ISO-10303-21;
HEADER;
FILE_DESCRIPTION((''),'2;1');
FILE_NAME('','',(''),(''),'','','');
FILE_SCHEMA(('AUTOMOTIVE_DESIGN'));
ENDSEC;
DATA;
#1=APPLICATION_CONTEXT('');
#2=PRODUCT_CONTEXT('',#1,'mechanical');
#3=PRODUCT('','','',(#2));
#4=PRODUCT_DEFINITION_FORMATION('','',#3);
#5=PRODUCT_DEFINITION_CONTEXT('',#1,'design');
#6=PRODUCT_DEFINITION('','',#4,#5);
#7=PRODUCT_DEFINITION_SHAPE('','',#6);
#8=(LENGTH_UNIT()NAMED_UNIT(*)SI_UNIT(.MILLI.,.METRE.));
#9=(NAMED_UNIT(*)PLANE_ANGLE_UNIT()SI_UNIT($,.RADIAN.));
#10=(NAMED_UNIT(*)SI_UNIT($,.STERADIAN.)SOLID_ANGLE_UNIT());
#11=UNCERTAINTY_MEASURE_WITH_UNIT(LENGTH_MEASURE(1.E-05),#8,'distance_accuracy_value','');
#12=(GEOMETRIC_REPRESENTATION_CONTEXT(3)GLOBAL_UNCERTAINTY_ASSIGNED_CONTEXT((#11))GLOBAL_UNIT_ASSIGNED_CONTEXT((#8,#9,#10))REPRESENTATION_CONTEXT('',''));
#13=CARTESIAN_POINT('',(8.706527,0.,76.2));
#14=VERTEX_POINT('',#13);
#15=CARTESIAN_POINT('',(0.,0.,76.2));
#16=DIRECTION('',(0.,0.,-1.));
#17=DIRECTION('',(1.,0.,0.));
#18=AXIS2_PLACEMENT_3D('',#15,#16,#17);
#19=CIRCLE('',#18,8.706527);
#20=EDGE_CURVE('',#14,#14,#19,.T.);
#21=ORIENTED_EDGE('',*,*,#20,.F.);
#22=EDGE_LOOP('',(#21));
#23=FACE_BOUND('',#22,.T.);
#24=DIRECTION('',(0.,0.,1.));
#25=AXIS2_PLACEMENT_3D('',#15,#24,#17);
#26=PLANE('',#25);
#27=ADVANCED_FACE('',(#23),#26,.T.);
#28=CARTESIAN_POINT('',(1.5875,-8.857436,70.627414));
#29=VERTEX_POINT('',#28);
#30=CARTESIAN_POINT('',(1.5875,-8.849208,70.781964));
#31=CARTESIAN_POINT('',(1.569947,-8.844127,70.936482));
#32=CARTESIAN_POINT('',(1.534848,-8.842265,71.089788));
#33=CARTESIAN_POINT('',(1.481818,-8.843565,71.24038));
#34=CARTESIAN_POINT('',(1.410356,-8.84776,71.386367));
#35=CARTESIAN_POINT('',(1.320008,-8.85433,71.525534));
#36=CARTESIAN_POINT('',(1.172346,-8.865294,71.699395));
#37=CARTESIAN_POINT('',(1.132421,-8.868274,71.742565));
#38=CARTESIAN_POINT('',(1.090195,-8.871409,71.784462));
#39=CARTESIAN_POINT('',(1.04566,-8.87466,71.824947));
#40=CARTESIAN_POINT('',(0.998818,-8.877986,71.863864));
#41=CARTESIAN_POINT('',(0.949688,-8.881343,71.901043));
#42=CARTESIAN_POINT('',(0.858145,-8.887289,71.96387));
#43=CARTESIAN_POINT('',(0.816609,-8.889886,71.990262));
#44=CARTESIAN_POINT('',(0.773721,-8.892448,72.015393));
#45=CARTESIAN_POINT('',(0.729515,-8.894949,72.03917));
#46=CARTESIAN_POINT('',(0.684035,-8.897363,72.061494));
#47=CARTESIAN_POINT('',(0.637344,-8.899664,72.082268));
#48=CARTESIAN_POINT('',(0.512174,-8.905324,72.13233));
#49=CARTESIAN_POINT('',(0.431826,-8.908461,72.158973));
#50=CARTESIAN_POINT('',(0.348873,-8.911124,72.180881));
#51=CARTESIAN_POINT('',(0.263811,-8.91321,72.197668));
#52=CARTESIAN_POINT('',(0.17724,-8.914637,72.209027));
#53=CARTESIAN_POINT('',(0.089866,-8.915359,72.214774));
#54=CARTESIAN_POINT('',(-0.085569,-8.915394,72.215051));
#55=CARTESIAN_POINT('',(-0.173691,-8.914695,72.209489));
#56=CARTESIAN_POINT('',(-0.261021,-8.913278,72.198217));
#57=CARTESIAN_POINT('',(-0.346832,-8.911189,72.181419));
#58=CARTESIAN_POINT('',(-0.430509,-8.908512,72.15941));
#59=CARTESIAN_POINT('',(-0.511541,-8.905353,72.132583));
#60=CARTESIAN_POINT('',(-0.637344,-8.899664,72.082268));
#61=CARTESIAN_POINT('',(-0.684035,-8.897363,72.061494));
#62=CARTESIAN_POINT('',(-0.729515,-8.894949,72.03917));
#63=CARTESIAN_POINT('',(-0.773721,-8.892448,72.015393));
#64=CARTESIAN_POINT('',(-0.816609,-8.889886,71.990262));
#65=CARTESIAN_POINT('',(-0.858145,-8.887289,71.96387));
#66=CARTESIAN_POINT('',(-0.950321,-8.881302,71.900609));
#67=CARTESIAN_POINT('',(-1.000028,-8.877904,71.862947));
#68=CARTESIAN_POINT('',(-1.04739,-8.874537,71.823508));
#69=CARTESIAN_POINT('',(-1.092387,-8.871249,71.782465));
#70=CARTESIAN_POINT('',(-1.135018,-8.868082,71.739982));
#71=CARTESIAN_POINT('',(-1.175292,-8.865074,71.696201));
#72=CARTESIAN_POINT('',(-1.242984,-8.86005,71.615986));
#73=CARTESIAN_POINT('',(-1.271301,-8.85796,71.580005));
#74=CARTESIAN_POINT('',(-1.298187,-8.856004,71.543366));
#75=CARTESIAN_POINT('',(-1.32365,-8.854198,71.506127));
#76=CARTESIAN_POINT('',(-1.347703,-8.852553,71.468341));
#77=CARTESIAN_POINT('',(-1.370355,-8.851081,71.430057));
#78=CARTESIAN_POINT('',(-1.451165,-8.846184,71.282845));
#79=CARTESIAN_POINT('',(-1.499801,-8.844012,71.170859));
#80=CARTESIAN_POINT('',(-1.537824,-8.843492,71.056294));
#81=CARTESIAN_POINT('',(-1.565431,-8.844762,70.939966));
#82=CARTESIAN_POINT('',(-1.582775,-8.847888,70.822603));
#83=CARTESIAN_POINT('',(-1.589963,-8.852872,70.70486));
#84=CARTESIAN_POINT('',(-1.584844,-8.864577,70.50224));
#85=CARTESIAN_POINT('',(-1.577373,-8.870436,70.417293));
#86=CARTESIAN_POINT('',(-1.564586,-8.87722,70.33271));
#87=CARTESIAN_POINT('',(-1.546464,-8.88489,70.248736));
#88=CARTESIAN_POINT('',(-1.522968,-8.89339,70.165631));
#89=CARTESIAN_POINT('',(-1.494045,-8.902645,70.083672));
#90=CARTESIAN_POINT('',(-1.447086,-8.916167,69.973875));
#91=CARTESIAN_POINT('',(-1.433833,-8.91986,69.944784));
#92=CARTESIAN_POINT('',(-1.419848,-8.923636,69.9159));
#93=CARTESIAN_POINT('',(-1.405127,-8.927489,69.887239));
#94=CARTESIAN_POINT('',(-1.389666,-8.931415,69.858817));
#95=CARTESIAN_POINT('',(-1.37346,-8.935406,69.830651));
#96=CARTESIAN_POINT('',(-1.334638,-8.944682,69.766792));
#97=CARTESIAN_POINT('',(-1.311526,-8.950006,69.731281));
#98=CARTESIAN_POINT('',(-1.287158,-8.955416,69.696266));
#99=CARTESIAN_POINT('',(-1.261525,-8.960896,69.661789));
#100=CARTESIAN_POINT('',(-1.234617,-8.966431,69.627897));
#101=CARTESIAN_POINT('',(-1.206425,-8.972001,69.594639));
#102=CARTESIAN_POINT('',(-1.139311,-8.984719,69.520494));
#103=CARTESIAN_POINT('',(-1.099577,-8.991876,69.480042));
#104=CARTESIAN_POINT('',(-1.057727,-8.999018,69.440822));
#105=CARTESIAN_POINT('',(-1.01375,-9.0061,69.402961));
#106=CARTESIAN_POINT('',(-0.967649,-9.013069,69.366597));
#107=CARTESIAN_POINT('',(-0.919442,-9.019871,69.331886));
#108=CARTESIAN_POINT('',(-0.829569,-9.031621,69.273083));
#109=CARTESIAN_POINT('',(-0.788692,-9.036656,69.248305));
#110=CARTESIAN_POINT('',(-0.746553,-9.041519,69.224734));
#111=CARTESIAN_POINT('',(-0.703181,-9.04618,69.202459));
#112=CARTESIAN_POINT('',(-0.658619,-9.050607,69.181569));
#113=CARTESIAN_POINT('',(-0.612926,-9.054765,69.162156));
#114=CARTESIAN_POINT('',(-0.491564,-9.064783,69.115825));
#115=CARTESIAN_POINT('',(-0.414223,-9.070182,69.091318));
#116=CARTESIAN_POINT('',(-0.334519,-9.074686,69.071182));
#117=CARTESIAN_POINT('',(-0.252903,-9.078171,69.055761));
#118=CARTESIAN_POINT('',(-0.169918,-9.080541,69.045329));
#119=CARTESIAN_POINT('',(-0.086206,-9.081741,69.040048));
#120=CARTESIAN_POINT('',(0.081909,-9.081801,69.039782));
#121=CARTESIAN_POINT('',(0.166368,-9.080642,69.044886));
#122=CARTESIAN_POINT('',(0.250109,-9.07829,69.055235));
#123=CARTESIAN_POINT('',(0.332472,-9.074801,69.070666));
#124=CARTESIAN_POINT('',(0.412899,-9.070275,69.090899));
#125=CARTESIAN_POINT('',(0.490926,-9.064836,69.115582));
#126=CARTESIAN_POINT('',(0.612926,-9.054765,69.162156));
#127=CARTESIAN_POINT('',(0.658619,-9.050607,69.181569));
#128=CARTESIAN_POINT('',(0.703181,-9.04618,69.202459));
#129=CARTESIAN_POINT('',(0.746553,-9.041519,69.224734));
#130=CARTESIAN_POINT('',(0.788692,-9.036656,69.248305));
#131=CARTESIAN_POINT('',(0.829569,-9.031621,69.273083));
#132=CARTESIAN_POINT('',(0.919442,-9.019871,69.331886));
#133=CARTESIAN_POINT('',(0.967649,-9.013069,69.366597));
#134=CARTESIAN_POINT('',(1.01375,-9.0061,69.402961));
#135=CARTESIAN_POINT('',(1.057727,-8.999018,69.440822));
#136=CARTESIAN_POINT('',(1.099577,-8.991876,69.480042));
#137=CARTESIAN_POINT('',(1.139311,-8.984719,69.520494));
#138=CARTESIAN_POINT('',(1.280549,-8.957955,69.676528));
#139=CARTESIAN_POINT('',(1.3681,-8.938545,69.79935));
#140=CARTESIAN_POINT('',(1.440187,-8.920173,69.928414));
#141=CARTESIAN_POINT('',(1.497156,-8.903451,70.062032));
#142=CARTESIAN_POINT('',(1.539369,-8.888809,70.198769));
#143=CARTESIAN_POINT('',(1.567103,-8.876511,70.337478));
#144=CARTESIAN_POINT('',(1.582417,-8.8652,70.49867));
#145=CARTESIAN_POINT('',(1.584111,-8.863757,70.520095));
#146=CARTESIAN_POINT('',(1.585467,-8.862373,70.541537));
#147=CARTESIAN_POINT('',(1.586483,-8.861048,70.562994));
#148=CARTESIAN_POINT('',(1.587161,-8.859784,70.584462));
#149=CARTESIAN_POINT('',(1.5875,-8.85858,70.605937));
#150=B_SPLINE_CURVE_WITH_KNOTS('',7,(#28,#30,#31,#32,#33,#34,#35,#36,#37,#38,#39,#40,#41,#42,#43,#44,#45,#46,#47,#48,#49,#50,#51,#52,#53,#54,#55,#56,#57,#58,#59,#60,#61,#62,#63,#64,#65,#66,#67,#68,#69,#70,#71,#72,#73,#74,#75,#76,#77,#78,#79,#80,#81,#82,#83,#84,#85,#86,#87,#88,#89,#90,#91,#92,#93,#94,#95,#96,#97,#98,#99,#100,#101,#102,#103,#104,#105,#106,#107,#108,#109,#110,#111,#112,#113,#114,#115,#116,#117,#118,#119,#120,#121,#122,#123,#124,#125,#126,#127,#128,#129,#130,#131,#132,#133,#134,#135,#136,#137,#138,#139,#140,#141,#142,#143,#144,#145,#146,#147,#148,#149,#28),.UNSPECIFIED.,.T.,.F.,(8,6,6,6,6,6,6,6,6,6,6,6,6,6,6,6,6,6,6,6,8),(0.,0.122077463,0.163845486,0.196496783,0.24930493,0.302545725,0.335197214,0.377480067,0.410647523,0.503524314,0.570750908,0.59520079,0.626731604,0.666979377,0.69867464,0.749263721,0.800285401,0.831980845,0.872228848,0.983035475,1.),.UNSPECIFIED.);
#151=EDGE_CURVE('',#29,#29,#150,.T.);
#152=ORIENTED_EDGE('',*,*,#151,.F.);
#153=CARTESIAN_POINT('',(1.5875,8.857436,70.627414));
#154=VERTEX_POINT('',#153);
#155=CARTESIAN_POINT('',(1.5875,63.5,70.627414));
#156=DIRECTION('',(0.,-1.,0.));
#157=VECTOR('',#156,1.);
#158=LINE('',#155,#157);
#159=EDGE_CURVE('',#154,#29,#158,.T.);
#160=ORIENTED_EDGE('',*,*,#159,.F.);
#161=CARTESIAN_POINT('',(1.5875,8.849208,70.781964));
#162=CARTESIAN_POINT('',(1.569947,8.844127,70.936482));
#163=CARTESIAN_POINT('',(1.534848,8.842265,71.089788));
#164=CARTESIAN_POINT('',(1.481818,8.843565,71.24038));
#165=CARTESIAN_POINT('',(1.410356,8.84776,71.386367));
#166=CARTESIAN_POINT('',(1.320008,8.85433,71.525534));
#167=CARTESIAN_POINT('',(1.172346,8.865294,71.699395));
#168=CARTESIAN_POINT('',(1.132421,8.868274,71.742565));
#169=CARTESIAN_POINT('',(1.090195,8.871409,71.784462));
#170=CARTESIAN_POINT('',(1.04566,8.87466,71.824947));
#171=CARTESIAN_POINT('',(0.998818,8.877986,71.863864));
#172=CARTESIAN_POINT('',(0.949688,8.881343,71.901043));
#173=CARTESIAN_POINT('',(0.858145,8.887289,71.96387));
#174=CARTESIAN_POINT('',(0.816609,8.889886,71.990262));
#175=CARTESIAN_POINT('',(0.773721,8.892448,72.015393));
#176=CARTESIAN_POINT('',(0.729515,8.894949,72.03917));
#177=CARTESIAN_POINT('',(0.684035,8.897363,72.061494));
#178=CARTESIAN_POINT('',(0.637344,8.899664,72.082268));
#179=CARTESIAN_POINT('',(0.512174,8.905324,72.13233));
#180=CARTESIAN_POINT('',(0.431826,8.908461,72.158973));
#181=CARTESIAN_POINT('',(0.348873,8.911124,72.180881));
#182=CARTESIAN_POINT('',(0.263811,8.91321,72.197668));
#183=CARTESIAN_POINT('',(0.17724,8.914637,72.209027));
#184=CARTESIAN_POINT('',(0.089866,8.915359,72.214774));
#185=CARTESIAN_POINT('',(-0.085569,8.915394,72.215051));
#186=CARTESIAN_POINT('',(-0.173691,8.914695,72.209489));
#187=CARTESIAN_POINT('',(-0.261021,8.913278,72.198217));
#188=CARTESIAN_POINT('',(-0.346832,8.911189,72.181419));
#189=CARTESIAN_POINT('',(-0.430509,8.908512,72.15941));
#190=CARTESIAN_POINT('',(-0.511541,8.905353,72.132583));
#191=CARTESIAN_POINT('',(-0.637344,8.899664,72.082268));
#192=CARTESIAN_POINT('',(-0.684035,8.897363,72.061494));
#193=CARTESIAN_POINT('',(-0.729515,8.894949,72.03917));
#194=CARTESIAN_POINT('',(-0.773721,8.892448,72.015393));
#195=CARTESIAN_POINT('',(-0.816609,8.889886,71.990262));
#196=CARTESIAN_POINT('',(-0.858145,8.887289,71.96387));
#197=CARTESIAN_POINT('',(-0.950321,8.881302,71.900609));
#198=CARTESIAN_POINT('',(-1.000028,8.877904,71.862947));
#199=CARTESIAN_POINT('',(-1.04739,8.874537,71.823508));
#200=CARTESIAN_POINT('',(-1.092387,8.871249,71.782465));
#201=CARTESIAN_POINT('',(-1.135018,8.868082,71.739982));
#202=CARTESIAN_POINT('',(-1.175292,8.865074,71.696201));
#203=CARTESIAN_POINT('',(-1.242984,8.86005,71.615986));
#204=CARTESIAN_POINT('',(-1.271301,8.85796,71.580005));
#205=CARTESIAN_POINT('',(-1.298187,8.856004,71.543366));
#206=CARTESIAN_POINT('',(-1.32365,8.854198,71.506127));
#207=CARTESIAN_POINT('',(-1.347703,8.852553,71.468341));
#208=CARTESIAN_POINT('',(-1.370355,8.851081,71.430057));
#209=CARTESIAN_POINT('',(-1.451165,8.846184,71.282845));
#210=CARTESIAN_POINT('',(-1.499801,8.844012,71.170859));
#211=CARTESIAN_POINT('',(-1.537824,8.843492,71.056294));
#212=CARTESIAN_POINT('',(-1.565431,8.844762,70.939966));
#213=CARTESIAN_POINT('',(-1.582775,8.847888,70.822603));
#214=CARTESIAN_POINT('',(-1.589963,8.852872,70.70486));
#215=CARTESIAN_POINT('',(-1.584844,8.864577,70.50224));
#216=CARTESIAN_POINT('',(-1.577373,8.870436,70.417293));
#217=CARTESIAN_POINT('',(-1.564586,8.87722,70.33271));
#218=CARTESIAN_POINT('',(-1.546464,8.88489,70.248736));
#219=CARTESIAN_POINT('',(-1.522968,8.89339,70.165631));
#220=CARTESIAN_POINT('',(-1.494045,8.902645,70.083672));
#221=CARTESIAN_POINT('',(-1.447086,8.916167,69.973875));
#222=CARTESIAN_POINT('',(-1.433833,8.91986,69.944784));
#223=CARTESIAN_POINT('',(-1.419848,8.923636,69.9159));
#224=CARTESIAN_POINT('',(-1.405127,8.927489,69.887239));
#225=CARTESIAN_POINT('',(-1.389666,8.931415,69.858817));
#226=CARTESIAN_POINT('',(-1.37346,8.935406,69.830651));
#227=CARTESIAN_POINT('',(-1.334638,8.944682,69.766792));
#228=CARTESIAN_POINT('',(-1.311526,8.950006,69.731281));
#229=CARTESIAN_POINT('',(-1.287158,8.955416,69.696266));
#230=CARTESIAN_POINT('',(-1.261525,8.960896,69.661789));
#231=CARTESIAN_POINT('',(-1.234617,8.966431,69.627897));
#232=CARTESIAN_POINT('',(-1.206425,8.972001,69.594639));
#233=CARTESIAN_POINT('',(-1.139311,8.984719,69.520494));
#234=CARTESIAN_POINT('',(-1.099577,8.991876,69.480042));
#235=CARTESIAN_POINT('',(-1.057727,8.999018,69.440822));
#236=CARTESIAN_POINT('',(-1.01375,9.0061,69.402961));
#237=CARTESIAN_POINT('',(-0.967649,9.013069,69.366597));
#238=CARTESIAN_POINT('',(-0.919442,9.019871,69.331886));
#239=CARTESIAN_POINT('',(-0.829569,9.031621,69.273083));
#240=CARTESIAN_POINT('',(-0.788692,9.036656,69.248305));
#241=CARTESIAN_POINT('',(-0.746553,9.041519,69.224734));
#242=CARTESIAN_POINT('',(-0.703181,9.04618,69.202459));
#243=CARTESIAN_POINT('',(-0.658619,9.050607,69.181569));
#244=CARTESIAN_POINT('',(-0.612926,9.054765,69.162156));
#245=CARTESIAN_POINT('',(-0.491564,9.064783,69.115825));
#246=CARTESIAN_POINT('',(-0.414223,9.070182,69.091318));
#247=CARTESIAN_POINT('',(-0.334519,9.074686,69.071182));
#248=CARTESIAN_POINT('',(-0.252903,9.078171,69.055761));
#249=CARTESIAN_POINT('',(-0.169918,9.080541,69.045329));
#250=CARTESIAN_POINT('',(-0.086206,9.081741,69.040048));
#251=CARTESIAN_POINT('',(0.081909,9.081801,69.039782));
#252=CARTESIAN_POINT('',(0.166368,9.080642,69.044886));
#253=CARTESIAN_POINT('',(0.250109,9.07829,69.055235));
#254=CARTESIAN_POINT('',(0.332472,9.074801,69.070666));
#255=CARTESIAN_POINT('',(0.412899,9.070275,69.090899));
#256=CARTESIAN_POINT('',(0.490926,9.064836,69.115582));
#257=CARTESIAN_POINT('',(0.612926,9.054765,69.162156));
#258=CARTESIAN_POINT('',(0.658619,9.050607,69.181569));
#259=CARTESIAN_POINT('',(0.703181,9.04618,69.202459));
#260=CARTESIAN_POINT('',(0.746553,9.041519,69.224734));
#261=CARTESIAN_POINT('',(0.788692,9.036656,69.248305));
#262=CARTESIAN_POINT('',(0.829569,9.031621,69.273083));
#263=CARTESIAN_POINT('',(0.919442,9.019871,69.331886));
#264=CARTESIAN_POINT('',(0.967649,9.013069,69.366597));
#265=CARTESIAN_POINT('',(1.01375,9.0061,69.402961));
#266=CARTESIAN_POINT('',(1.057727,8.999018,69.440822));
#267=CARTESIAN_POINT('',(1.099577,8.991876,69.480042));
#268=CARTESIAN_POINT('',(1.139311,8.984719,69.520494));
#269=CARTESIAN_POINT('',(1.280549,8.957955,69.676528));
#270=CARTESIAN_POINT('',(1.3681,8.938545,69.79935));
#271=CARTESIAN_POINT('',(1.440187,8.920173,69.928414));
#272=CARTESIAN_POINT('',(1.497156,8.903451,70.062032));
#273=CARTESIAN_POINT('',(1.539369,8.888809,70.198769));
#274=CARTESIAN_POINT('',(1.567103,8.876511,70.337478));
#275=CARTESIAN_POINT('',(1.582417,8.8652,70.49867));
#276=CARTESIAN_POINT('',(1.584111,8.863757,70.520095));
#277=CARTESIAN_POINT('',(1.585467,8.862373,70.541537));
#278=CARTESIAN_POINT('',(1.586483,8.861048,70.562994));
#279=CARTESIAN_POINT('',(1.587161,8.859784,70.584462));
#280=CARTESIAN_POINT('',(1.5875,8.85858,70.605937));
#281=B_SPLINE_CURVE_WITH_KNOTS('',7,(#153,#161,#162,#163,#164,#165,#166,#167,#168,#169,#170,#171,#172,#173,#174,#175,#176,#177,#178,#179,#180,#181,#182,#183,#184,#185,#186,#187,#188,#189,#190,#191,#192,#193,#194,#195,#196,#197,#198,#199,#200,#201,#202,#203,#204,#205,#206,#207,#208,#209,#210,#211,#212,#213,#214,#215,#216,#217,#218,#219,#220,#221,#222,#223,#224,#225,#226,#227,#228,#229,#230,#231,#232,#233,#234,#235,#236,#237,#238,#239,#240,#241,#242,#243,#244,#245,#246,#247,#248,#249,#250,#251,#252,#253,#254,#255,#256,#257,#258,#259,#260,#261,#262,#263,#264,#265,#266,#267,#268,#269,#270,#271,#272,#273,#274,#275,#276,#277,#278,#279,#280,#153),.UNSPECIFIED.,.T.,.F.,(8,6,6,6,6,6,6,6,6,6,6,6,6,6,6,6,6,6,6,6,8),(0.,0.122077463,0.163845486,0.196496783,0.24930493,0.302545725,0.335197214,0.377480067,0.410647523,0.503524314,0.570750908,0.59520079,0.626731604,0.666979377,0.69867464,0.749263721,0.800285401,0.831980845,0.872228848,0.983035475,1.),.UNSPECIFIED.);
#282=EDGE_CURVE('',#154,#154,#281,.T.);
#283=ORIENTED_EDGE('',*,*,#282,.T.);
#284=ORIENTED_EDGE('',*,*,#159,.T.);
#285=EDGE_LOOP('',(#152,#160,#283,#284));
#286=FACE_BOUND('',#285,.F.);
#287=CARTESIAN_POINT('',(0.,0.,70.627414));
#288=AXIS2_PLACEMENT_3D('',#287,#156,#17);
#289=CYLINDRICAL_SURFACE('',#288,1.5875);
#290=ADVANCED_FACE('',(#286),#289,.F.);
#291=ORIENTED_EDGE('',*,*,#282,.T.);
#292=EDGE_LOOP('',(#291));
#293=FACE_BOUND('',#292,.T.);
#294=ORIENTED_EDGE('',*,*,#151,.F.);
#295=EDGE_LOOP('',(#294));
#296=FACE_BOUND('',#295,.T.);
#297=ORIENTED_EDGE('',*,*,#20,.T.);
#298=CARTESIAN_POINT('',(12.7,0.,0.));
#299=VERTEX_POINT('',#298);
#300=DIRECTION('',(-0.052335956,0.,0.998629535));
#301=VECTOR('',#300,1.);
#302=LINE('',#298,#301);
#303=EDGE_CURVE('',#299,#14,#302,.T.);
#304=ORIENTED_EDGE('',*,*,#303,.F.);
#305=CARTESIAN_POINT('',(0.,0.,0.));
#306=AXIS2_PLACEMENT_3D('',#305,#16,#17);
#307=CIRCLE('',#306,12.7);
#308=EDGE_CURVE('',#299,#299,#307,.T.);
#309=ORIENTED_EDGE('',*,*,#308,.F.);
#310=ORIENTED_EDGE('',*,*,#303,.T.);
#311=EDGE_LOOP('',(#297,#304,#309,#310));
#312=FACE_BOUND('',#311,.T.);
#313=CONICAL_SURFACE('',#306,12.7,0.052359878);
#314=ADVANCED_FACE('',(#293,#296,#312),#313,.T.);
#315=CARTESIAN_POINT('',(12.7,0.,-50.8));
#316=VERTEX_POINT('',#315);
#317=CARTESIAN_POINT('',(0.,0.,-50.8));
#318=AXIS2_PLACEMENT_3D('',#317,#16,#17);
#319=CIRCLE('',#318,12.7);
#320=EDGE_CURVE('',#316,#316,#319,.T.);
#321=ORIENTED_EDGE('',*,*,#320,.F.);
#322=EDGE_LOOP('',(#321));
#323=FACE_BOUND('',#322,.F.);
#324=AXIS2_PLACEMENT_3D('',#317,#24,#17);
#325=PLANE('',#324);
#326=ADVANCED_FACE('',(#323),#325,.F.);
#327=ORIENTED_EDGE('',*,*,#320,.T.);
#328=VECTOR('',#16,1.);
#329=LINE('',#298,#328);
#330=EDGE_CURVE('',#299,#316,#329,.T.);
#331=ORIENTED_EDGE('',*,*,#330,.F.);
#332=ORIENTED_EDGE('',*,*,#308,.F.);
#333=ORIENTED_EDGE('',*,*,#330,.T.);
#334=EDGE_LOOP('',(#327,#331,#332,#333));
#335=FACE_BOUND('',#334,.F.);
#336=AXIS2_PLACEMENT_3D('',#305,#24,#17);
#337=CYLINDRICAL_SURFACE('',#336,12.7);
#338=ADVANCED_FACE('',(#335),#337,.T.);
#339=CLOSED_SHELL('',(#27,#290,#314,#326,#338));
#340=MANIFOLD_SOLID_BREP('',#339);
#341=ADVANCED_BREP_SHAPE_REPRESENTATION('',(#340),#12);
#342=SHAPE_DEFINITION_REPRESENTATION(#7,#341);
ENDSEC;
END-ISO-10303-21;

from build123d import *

# Parameters (mm, degrees)
F0_R     = 12.7
F1_DEPTH = 76.2
F1_TAPER = 3
F2_R     = 1.5875
F3_DEPTH = 63.5
F4_DEPTH = 50.8


with BuildPart() as f1:
    # F0 (on Top) → F1 (new body)
    with BuildSketch(Plane.XY):
        Circle(F0_R)
    extrude(amount=F1_DEPTH, taper=F1_TAPER)

    # F2 (on Front) → F3 (cut, symmetric)
    with BuildSketch(Plane.XZ):
        with Locations((0, 70.6274136901)):
            Circle(F2_R)
    extrude(amount=F3_DEPTH, both=True, mode=Mode.SUBTRACT)

    # F4 (add): a face of the model
    f4_faces = [f1.faces().sort_by_distance(p)[0] for p in [
        (0, 0, 0),
    ]]
    extrude(f4_faces, amount=F4_DEPTH)


solid = f1.part
